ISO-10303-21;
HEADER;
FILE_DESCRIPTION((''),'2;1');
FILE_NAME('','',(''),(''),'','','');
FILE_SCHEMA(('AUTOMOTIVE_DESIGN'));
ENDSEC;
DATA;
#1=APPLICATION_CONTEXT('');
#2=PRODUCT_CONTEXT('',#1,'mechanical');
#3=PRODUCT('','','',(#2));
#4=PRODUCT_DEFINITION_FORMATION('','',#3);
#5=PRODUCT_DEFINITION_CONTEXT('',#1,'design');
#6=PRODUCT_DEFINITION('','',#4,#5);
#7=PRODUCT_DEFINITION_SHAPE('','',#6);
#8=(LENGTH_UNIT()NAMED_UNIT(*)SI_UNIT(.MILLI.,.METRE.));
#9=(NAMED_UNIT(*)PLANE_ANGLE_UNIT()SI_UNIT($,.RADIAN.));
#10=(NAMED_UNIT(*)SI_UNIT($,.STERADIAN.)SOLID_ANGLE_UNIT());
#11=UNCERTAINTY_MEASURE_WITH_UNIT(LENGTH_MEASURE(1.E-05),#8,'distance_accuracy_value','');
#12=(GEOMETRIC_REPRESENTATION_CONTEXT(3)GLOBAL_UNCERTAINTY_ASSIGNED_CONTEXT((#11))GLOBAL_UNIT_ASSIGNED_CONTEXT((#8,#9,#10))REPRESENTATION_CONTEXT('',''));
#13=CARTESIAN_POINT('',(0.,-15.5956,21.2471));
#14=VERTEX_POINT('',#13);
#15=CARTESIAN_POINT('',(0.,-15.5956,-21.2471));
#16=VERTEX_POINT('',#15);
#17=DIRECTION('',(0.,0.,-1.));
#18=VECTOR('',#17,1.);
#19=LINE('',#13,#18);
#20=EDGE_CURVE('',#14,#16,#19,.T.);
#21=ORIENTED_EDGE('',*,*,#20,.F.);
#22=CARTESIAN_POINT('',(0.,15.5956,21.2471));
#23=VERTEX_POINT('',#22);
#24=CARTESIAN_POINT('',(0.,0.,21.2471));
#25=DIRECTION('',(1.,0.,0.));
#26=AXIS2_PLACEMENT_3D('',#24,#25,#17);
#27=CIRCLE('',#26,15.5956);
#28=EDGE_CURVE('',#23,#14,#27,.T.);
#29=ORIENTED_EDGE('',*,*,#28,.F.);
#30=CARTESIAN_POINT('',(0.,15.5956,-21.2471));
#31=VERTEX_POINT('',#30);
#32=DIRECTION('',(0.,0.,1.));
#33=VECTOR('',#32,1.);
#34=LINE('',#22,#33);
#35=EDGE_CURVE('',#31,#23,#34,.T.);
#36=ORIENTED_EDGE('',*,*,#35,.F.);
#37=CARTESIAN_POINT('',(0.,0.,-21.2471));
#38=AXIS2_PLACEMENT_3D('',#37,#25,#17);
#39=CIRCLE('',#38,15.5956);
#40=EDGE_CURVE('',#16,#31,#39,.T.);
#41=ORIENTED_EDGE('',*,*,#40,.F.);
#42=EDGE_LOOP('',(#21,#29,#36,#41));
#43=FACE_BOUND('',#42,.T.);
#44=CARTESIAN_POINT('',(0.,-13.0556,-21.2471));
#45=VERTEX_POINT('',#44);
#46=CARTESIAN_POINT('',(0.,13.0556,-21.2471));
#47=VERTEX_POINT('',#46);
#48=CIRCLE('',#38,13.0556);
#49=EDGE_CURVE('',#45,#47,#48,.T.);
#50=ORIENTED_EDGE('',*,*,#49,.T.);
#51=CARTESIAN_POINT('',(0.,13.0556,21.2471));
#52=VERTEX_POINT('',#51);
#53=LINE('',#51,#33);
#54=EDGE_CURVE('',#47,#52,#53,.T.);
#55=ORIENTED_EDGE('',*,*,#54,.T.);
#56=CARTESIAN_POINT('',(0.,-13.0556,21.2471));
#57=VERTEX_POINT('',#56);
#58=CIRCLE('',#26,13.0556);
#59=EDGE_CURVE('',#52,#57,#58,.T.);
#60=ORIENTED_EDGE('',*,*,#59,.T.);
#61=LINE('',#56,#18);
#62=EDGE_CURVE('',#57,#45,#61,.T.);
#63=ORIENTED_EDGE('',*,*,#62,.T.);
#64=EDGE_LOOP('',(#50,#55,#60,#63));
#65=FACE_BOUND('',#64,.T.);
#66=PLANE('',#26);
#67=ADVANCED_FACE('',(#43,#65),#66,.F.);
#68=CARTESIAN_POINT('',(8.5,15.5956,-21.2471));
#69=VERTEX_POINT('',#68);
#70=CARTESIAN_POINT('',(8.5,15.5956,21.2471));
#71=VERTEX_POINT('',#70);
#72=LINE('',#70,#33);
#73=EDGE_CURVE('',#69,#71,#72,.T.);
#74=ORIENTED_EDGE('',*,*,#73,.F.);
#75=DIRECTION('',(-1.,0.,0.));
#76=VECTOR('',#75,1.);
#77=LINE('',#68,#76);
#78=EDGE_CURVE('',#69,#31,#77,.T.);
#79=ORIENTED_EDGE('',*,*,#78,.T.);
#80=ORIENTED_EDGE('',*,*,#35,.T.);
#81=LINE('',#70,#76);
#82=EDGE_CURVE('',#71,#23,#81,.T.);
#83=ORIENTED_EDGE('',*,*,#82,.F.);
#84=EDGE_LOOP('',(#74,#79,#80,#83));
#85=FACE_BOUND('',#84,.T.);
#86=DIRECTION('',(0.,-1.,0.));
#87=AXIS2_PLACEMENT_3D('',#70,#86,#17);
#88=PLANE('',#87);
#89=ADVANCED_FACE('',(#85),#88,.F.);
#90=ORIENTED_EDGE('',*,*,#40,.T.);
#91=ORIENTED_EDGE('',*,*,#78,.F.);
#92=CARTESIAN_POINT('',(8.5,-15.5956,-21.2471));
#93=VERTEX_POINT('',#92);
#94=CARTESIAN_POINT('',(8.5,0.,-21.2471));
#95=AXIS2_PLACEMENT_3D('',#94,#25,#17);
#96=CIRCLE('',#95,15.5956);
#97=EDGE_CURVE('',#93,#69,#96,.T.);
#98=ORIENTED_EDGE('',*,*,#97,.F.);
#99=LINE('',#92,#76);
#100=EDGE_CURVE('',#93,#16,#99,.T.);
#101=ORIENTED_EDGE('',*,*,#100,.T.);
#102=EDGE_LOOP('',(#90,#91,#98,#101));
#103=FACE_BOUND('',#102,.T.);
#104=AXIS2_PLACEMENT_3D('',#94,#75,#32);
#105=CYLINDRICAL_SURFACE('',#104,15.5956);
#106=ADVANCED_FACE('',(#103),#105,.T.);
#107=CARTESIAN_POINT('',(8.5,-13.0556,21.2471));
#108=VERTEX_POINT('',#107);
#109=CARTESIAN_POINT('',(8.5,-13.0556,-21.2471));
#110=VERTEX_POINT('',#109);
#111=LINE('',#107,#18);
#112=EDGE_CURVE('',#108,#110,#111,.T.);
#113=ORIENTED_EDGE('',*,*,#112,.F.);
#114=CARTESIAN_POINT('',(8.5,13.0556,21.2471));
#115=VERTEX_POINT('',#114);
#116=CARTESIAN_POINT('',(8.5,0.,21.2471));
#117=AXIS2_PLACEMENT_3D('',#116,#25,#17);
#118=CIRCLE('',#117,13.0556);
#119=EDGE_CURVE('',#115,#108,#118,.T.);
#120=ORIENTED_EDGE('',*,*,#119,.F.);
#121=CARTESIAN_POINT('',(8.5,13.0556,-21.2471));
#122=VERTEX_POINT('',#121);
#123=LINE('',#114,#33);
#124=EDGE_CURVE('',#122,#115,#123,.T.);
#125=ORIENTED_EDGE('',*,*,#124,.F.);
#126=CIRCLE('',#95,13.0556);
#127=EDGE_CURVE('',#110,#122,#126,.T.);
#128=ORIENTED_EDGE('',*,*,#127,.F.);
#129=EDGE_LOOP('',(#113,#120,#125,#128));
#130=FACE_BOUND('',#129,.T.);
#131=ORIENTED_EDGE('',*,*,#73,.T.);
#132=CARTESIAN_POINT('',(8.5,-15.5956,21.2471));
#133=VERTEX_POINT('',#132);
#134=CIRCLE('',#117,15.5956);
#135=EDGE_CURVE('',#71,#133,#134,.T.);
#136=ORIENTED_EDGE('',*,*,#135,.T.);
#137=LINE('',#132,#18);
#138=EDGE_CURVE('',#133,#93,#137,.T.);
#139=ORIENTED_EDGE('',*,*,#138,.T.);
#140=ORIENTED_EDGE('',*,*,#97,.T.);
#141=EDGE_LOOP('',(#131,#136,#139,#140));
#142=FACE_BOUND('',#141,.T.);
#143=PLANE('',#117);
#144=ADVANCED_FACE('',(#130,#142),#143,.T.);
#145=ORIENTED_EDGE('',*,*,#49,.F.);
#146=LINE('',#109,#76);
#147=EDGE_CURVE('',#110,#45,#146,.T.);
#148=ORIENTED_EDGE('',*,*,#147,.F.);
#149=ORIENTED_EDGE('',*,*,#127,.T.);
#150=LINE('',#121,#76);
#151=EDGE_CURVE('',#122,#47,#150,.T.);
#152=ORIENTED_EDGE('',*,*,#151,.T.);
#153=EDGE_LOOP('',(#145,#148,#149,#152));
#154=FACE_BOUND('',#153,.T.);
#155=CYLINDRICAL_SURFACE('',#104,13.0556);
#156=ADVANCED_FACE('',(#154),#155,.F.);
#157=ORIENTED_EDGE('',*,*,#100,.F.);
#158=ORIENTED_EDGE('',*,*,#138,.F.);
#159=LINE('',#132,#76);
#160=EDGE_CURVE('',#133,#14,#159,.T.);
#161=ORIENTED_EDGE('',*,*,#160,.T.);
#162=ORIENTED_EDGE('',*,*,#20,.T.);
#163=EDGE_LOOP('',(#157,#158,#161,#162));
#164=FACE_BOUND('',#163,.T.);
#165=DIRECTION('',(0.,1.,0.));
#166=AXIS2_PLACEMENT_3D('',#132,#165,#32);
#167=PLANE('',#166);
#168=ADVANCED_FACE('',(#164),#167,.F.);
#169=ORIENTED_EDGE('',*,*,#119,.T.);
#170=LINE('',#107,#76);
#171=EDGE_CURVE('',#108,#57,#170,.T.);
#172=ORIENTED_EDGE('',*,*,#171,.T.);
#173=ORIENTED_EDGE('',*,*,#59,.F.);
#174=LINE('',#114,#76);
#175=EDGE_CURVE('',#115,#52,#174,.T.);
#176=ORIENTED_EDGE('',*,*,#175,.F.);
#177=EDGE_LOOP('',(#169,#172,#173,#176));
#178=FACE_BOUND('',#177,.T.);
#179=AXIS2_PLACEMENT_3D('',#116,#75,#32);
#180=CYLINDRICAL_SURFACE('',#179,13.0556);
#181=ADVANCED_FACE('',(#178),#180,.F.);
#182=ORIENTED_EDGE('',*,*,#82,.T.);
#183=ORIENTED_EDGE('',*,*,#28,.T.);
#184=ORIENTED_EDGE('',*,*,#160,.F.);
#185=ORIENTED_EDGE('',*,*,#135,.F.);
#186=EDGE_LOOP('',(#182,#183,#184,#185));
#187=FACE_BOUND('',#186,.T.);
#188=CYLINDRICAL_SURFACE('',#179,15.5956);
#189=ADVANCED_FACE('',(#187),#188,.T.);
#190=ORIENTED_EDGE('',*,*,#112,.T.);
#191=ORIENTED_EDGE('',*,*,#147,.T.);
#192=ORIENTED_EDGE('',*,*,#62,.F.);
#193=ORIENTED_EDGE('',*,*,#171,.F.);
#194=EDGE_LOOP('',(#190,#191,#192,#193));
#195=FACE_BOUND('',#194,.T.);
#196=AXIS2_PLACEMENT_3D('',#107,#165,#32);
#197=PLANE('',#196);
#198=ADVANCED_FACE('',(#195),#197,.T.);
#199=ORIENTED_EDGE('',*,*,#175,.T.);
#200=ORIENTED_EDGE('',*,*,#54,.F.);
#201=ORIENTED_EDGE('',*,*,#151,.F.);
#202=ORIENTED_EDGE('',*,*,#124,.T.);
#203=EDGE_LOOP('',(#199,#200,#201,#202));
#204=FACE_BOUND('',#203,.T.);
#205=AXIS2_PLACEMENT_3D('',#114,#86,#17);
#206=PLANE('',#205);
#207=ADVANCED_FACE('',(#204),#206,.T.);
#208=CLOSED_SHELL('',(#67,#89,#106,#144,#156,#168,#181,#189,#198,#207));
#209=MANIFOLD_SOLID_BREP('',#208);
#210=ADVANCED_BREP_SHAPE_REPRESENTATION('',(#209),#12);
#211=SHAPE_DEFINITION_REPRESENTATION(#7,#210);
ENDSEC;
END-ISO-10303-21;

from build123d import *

# Parameters (mm, degrees)
EXTRUDE_THIN1_DEPTH = 8.5


with BuildPart() as part:
    # Sketch1 → Extrude-Thin1 (new body)
    with BuildSketch(Plane(origin=(0, 0, 0), x_dir=(0, 0, -1), z_dir=(1, 0, 0))):
        with BuildLine():
            Line((21.2471, -15.5956), (-21.2471, -15.5956))
            ThreePointArc((-21.2471, -15.5956), (-36.8427, 0), (-21.2471, 15.5956))
            Line((-21.2471, 15.5956), (21.2471, 15.5956))
            ThreePointArc((21.2471, 15.5956), (36.8427, 0), (21.2471, -15.5956))
        make_face()
        with BuildLine():
            Line((21.2471, -13.0556), (-21.2471, -13.0556))
            ThreePointArc((-21.2471, -13.0556), (-34.3027, 0), (-21.2471, 13.0556))
            Line((-21.2471, 13.0556), (21.2471, 13.0556))
            ThreePointArc((21.2471, 13.0556), (34.3027, 0), (21.2471, -13.0556))
        make_face(mode=Mode.SUBTRACT)
    extrude(amount=EXTRUDE_THIN1_DEPTH)


solid = part.part
